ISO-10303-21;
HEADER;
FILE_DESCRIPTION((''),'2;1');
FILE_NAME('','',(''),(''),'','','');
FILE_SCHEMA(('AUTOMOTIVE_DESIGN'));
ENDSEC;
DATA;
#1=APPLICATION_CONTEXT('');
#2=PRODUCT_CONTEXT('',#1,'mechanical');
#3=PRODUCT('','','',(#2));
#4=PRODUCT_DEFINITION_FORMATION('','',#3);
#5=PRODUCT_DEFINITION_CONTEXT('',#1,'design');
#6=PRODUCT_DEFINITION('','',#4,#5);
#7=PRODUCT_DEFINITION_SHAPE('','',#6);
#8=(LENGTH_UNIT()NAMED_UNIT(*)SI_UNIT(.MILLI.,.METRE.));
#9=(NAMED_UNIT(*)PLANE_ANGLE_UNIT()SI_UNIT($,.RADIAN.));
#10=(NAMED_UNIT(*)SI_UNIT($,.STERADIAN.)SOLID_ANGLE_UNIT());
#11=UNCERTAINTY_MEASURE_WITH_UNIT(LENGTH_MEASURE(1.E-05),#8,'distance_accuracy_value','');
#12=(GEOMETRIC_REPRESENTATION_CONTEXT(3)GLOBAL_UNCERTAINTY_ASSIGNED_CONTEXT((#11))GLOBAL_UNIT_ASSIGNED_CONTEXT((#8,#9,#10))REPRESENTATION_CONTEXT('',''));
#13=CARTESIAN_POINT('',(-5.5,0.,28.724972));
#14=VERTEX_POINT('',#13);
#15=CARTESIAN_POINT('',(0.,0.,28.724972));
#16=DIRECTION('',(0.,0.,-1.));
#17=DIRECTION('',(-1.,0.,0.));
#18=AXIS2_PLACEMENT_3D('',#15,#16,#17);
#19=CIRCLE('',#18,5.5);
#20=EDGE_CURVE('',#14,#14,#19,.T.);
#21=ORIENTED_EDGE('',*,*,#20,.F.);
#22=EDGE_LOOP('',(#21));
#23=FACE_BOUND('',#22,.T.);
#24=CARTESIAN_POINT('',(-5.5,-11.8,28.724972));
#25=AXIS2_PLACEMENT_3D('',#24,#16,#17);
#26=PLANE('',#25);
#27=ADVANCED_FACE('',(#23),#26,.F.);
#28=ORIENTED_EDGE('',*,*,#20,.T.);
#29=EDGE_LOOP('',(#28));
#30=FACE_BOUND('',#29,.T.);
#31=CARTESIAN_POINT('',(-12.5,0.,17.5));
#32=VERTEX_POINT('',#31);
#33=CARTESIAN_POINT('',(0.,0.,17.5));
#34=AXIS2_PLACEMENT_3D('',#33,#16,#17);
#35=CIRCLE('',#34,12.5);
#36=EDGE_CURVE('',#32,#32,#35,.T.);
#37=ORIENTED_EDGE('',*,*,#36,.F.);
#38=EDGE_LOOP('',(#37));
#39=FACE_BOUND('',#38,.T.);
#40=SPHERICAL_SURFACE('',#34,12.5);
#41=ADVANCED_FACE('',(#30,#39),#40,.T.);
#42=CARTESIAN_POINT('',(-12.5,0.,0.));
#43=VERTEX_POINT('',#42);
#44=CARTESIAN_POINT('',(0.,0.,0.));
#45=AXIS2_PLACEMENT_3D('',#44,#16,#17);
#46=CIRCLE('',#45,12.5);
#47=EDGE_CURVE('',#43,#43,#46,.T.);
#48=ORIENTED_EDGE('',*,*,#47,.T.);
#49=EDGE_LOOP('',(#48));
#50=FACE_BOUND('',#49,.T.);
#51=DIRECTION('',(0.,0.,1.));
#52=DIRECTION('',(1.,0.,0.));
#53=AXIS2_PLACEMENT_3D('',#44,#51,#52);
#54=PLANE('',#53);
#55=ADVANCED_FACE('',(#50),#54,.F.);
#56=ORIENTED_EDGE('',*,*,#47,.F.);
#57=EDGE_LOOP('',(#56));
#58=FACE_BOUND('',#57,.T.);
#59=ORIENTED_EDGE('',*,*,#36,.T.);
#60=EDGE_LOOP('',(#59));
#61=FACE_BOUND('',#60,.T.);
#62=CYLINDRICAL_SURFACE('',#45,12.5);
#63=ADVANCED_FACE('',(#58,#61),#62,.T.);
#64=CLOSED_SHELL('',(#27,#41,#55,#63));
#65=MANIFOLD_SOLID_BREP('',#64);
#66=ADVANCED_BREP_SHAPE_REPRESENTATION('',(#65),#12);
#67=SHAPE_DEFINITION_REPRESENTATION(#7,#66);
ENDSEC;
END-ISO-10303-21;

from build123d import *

# Parameters (mm, degrees)
VYSUNOUT1_DEPTH = 11.8


with BuildPart() as part:
    # Skica1 → Rotovat1 (revolve)
    with BuildSketch(Plane(origin=(0, 0, 0), x_dir=(1, 0, 0), z_dir=(0, 1, 0)), mode=Mode.PRIVATE) as rotovat1_sk:
        with BuildLine():
            Line((0, 0), (12.5, 0))
            Line((12.5, 0), (12.5, -17.5))
            ThreePointArc((12.5, -17.5), (8.838834765, -26.338834765), (0, -30))
            Line((0, -30), (0, 0))
        make_face()
    revolve(rotovat1_sk.sketch.rotate(Axis((0, 0, 0), (0, 0, 1)), 180), axis=Axis((0, 0, 0), (0, 0, 1)))  # turned: the seam where the file's is

    # Skica2 → Vysunout1 (cut, symmetric)
    with BuildSketch(Plane(origin=(0, 0, 0), x_dir=(1, 0, 0), z_dir=(0, 1, 0))):
        with BuildLine():
            Line((-5.5, -28.72497216), (5.5, -28.72497216))
            ThreePointArc((5.5, -28.72497216), (0, -30), (-5.5, -28.72497216))
        make_face()
    extrude(amount=VYSUNOUT1_DEPTH, both=True, mode=Mode.SUBTRACT)


solid = part.part
